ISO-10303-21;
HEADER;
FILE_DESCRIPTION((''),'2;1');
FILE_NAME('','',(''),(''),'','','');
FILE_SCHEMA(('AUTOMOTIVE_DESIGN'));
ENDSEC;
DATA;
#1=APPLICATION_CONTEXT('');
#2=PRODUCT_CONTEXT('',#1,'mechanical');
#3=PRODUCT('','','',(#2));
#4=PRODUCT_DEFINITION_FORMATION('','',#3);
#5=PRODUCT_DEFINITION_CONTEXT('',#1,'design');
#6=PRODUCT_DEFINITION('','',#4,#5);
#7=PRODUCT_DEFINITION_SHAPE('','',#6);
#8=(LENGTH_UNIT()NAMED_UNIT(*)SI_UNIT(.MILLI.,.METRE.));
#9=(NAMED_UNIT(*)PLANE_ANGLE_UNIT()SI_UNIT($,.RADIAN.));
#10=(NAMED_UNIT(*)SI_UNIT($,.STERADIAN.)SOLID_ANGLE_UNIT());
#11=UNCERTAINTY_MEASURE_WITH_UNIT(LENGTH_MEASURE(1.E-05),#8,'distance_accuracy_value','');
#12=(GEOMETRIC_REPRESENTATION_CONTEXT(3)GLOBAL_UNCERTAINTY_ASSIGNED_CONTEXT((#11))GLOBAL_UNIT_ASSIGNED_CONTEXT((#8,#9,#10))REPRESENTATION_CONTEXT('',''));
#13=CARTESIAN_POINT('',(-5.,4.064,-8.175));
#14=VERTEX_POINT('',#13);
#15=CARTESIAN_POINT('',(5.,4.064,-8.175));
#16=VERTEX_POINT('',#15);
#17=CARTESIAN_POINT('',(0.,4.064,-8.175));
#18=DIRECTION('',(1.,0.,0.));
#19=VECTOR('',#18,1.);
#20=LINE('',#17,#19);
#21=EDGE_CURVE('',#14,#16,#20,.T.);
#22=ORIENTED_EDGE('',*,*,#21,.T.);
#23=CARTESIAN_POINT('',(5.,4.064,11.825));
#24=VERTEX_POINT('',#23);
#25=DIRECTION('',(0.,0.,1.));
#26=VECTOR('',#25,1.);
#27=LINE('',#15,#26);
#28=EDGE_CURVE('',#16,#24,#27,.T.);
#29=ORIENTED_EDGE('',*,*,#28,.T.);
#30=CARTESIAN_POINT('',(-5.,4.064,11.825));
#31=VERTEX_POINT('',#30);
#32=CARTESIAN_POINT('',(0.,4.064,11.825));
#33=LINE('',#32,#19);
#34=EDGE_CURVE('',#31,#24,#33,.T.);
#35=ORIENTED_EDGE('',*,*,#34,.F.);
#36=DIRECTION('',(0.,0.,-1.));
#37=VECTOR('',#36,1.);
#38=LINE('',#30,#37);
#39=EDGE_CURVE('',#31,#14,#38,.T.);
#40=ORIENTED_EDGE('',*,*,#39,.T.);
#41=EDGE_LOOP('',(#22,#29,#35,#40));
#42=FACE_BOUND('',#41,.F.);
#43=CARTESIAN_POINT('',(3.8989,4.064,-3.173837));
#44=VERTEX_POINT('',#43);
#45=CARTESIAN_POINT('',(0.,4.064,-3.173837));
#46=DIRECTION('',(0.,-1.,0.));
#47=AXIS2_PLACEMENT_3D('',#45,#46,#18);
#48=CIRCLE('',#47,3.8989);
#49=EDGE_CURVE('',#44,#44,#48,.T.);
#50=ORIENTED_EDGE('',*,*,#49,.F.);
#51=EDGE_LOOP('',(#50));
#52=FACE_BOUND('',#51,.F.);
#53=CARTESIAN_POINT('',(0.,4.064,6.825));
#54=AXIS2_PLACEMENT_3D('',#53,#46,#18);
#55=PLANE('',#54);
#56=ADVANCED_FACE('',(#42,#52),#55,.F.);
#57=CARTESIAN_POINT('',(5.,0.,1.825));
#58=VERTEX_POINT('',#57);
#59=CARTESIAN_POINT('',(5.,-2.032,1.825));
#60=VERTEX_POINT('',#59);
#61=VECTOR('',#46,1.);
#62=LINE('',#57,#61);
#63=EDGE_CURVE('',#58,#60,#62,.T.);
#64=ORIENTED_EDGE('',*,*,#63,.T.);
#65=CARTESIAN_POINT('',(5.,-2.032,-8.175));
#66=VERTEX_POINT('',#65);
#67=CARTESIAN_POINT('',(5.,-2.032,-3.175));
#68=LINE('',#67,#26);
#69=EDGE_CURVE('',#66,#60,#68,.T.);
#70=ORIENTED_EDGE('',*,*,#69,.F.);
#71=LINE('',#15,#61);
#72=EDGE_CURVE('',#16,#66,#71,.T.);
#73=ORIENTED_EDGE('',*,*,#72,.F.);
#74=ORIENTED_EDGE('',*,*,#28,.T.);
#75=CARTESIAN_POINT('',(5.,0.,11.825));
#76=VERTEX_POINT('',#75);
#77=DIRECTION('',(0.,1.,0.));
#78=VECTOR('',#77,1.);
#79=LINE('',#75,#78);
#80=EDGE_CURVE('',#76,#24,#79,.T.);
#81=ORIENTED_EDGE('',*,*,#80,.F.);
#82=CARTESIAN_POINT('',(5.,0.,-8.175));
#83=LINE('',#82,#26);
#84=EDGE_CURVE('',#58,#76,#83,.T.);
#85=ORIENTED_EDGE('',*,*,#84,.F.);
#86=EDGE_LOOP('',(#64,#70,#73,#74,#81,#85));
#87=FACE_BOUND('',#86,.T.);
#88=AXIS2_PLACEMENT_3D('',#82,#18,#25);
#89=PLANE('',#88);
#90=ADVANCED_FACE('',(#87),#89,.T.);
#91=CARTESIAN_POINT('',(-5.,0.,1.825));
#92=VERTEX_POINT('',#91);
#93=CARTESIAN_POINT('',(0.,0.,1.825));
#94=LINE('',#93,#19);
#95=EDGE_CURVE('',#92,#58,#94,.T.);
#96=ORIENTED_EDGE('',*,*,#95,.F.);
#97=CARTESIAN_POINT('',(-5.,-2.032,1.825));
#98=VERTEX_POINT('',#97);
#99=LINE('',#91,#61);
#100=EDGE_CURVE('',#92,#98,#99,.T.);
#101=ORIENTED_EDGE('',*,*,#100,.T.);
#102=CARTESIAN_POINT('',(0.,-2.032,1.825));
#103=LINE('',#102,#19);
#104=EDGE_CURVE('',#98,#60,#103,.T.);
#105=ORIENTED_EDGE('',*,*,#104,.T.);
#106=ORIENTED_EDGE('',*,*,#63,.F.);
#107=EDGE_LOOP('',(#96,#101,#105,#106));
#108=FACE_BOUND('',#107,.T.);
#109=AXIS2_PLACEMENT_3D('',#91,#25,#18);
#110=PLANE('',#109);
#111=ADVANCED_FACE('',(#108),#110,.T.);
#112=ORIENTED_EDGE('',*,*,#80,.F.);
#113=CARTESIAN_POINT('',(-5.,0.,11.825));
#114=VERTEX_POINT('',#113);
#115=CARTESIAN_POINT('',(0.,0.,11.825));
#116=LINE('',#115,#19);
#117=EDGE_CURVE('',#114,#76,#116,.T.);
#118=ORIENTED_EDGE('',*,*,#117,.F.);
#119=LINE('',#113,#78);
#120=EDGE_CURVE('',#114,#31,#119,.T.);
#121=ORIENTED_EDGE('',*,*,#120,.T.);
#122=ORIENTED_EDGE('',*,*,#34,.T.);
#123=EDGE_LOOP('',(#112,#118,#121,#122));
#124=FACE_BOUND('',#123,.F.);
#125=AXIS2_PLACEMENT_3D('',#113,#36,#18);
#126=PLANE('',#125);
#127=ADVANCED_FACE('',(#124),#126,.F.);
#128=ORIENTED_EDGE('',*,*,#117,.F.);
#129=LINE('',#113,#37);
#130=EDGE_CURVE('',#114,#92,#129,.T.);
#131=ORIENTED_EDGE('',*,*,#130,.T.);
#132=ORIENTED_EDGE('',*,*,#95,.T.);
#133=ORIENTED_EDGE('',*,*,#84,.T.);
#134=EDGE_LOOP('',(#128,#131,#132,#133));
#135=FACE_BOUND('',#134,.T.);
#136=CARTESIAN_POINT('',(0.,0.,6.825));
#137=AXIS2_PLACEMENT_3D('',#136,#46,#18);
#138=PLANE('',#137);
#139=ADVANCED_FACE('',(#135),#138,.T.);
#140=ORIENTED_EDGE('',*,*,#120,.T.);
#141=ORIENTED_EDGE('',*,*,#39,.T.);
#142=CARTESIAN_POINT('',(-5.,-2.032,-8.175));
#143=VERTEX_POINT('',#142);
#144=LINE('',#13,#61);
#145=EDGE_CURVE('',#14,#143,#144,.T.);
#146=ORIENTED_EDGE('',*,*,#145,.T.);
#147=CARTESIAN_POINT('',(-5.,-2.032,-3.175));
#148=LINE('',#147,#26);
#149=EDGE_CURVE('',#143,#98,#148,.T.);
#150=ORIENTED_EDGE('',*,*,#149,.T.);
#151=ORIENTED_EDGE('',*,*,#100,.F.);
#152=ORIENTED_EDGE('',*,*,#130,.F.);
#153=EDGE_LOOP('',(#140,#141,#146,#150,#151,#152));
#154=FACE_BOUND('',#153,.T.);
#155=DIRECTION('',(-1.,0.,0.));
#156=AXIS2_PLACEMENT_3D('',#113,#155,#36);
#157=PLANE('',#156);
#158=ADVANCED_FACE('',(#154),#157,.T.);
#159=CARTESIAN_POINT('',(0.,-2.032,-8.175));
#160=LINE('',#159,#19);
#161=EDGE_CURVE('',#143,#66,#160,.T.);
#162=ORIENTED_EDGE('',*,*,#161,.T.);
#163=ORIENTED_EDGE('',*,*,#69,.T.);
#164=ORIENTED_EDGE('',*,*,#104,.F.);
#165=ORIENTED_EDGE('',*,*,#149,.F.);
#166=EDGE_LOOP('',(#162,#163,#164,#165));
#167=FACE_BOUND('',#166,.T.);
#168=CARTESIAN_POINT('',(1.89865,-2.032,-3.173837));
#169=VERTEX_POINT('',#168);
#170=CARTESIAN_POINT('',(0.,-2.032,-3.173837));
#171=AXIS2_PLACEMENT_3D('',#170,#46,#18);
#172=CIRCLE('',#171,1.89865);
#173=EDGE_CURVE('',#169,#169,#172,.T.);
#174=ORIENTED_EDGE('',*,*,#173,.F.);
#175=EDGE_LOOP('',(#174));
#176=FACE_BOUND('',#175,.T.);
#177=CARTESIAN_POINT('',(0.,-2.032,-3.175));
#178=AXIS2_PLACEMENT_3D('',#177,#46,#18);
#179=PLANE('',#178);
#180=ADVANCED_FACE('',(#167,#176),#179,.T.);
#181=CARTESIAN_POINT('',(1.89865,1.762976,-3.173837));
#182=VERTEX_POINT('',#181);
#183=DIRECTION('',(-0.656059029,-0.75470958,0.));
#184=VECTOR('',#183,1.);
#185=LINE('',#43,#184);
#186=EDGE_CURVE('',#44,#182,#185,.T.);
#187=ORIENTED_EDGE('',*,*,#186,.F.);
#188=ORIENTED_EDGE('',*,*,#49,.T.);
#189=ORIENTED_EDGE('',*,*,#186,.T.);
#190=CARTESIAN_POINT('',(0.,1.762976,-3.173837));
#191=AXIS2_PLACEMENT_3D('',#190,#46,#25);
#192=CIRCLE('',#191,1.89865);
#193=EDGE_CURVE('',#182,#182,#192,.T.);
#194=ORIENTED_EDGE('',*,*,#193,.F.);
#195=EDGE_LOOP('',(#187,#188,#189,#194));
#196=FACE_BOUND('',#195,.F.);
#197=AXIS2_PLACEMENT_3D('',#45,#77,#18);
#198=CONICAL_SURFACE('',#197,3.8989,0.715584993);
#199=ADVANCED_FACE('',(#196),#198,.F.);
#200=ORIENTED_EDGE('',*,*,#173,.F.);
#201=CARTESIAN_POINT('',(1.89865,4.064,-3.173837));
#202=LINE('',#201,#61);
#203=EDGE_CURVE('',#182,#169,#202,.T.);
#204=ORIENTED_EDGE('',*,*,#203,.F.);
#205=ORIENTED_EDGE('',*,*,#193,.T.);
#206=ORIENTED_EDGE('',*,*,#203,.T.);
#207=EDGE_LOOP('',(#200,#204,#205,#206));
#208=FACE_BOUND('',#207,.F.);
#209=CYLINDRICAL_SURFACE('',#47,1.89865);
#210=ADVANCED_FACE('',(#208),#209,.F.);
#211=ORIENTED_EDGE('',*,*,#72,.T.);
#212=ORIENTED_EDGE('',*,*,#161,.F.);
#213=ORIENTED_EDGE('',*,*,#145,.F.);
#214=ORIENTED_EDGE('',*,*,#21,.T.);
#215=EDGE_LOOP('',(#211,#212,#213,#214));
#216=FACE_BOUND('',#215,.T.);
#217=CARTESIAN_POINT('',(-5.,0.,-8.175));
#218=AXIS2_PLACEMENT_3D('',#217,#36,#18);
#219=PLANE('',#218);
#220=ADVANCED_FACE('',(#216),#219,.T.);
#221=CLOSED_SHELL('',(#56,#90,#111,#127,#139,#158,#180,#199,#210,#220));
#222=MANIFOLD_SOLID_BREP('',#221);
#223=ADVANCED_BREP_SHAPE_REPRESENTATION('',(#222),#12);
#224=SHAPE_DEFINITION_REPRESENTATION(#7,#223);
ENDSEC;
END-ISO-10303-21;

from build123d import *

# Parameters (mm, degrees)
F0_W           = 10
F0_H           = 10
F1_DEPTH       = 2.032
F2_DEPTH       = 4.064
F4_D           = 3.7973
F4_CSINK_D     = 7.7978
F4_CSINK_ANGLE = 82


with BuildPart() as f1:
    # F0 (on Front) → F1 (new body)
    with BuildSketch(Plane.XZ):
        with Locations((0, -3.175)):
            Rectangle(F0_W, F0_H)
    extrude(amount=F1_DEPTH)

    # F0 (on Front) → F2 (join)
    with BuildSketch(Plane.XZ):
        with Locations((0, 6.825)):
            Rectangle(F0_W, F0_H)
        with Locations((0, -3.175)):
            Rectangle(F0_W, F0_H)
    extrude(amount=-F2_DEPTH)

    # F4 (through all)
    with Locations(Plane(origin=(0, 4.064, 0), x_dir=(-1, 0, 0), z_dir=(0, 1, 0))):
        with Locations((0, -3.1738367397)):
            CounterSinkHole(F4_D / 2, F4_CSINK_D / 2, counter_sink_angle=F4_CSINK_ANGLE)


solid = f1.part
